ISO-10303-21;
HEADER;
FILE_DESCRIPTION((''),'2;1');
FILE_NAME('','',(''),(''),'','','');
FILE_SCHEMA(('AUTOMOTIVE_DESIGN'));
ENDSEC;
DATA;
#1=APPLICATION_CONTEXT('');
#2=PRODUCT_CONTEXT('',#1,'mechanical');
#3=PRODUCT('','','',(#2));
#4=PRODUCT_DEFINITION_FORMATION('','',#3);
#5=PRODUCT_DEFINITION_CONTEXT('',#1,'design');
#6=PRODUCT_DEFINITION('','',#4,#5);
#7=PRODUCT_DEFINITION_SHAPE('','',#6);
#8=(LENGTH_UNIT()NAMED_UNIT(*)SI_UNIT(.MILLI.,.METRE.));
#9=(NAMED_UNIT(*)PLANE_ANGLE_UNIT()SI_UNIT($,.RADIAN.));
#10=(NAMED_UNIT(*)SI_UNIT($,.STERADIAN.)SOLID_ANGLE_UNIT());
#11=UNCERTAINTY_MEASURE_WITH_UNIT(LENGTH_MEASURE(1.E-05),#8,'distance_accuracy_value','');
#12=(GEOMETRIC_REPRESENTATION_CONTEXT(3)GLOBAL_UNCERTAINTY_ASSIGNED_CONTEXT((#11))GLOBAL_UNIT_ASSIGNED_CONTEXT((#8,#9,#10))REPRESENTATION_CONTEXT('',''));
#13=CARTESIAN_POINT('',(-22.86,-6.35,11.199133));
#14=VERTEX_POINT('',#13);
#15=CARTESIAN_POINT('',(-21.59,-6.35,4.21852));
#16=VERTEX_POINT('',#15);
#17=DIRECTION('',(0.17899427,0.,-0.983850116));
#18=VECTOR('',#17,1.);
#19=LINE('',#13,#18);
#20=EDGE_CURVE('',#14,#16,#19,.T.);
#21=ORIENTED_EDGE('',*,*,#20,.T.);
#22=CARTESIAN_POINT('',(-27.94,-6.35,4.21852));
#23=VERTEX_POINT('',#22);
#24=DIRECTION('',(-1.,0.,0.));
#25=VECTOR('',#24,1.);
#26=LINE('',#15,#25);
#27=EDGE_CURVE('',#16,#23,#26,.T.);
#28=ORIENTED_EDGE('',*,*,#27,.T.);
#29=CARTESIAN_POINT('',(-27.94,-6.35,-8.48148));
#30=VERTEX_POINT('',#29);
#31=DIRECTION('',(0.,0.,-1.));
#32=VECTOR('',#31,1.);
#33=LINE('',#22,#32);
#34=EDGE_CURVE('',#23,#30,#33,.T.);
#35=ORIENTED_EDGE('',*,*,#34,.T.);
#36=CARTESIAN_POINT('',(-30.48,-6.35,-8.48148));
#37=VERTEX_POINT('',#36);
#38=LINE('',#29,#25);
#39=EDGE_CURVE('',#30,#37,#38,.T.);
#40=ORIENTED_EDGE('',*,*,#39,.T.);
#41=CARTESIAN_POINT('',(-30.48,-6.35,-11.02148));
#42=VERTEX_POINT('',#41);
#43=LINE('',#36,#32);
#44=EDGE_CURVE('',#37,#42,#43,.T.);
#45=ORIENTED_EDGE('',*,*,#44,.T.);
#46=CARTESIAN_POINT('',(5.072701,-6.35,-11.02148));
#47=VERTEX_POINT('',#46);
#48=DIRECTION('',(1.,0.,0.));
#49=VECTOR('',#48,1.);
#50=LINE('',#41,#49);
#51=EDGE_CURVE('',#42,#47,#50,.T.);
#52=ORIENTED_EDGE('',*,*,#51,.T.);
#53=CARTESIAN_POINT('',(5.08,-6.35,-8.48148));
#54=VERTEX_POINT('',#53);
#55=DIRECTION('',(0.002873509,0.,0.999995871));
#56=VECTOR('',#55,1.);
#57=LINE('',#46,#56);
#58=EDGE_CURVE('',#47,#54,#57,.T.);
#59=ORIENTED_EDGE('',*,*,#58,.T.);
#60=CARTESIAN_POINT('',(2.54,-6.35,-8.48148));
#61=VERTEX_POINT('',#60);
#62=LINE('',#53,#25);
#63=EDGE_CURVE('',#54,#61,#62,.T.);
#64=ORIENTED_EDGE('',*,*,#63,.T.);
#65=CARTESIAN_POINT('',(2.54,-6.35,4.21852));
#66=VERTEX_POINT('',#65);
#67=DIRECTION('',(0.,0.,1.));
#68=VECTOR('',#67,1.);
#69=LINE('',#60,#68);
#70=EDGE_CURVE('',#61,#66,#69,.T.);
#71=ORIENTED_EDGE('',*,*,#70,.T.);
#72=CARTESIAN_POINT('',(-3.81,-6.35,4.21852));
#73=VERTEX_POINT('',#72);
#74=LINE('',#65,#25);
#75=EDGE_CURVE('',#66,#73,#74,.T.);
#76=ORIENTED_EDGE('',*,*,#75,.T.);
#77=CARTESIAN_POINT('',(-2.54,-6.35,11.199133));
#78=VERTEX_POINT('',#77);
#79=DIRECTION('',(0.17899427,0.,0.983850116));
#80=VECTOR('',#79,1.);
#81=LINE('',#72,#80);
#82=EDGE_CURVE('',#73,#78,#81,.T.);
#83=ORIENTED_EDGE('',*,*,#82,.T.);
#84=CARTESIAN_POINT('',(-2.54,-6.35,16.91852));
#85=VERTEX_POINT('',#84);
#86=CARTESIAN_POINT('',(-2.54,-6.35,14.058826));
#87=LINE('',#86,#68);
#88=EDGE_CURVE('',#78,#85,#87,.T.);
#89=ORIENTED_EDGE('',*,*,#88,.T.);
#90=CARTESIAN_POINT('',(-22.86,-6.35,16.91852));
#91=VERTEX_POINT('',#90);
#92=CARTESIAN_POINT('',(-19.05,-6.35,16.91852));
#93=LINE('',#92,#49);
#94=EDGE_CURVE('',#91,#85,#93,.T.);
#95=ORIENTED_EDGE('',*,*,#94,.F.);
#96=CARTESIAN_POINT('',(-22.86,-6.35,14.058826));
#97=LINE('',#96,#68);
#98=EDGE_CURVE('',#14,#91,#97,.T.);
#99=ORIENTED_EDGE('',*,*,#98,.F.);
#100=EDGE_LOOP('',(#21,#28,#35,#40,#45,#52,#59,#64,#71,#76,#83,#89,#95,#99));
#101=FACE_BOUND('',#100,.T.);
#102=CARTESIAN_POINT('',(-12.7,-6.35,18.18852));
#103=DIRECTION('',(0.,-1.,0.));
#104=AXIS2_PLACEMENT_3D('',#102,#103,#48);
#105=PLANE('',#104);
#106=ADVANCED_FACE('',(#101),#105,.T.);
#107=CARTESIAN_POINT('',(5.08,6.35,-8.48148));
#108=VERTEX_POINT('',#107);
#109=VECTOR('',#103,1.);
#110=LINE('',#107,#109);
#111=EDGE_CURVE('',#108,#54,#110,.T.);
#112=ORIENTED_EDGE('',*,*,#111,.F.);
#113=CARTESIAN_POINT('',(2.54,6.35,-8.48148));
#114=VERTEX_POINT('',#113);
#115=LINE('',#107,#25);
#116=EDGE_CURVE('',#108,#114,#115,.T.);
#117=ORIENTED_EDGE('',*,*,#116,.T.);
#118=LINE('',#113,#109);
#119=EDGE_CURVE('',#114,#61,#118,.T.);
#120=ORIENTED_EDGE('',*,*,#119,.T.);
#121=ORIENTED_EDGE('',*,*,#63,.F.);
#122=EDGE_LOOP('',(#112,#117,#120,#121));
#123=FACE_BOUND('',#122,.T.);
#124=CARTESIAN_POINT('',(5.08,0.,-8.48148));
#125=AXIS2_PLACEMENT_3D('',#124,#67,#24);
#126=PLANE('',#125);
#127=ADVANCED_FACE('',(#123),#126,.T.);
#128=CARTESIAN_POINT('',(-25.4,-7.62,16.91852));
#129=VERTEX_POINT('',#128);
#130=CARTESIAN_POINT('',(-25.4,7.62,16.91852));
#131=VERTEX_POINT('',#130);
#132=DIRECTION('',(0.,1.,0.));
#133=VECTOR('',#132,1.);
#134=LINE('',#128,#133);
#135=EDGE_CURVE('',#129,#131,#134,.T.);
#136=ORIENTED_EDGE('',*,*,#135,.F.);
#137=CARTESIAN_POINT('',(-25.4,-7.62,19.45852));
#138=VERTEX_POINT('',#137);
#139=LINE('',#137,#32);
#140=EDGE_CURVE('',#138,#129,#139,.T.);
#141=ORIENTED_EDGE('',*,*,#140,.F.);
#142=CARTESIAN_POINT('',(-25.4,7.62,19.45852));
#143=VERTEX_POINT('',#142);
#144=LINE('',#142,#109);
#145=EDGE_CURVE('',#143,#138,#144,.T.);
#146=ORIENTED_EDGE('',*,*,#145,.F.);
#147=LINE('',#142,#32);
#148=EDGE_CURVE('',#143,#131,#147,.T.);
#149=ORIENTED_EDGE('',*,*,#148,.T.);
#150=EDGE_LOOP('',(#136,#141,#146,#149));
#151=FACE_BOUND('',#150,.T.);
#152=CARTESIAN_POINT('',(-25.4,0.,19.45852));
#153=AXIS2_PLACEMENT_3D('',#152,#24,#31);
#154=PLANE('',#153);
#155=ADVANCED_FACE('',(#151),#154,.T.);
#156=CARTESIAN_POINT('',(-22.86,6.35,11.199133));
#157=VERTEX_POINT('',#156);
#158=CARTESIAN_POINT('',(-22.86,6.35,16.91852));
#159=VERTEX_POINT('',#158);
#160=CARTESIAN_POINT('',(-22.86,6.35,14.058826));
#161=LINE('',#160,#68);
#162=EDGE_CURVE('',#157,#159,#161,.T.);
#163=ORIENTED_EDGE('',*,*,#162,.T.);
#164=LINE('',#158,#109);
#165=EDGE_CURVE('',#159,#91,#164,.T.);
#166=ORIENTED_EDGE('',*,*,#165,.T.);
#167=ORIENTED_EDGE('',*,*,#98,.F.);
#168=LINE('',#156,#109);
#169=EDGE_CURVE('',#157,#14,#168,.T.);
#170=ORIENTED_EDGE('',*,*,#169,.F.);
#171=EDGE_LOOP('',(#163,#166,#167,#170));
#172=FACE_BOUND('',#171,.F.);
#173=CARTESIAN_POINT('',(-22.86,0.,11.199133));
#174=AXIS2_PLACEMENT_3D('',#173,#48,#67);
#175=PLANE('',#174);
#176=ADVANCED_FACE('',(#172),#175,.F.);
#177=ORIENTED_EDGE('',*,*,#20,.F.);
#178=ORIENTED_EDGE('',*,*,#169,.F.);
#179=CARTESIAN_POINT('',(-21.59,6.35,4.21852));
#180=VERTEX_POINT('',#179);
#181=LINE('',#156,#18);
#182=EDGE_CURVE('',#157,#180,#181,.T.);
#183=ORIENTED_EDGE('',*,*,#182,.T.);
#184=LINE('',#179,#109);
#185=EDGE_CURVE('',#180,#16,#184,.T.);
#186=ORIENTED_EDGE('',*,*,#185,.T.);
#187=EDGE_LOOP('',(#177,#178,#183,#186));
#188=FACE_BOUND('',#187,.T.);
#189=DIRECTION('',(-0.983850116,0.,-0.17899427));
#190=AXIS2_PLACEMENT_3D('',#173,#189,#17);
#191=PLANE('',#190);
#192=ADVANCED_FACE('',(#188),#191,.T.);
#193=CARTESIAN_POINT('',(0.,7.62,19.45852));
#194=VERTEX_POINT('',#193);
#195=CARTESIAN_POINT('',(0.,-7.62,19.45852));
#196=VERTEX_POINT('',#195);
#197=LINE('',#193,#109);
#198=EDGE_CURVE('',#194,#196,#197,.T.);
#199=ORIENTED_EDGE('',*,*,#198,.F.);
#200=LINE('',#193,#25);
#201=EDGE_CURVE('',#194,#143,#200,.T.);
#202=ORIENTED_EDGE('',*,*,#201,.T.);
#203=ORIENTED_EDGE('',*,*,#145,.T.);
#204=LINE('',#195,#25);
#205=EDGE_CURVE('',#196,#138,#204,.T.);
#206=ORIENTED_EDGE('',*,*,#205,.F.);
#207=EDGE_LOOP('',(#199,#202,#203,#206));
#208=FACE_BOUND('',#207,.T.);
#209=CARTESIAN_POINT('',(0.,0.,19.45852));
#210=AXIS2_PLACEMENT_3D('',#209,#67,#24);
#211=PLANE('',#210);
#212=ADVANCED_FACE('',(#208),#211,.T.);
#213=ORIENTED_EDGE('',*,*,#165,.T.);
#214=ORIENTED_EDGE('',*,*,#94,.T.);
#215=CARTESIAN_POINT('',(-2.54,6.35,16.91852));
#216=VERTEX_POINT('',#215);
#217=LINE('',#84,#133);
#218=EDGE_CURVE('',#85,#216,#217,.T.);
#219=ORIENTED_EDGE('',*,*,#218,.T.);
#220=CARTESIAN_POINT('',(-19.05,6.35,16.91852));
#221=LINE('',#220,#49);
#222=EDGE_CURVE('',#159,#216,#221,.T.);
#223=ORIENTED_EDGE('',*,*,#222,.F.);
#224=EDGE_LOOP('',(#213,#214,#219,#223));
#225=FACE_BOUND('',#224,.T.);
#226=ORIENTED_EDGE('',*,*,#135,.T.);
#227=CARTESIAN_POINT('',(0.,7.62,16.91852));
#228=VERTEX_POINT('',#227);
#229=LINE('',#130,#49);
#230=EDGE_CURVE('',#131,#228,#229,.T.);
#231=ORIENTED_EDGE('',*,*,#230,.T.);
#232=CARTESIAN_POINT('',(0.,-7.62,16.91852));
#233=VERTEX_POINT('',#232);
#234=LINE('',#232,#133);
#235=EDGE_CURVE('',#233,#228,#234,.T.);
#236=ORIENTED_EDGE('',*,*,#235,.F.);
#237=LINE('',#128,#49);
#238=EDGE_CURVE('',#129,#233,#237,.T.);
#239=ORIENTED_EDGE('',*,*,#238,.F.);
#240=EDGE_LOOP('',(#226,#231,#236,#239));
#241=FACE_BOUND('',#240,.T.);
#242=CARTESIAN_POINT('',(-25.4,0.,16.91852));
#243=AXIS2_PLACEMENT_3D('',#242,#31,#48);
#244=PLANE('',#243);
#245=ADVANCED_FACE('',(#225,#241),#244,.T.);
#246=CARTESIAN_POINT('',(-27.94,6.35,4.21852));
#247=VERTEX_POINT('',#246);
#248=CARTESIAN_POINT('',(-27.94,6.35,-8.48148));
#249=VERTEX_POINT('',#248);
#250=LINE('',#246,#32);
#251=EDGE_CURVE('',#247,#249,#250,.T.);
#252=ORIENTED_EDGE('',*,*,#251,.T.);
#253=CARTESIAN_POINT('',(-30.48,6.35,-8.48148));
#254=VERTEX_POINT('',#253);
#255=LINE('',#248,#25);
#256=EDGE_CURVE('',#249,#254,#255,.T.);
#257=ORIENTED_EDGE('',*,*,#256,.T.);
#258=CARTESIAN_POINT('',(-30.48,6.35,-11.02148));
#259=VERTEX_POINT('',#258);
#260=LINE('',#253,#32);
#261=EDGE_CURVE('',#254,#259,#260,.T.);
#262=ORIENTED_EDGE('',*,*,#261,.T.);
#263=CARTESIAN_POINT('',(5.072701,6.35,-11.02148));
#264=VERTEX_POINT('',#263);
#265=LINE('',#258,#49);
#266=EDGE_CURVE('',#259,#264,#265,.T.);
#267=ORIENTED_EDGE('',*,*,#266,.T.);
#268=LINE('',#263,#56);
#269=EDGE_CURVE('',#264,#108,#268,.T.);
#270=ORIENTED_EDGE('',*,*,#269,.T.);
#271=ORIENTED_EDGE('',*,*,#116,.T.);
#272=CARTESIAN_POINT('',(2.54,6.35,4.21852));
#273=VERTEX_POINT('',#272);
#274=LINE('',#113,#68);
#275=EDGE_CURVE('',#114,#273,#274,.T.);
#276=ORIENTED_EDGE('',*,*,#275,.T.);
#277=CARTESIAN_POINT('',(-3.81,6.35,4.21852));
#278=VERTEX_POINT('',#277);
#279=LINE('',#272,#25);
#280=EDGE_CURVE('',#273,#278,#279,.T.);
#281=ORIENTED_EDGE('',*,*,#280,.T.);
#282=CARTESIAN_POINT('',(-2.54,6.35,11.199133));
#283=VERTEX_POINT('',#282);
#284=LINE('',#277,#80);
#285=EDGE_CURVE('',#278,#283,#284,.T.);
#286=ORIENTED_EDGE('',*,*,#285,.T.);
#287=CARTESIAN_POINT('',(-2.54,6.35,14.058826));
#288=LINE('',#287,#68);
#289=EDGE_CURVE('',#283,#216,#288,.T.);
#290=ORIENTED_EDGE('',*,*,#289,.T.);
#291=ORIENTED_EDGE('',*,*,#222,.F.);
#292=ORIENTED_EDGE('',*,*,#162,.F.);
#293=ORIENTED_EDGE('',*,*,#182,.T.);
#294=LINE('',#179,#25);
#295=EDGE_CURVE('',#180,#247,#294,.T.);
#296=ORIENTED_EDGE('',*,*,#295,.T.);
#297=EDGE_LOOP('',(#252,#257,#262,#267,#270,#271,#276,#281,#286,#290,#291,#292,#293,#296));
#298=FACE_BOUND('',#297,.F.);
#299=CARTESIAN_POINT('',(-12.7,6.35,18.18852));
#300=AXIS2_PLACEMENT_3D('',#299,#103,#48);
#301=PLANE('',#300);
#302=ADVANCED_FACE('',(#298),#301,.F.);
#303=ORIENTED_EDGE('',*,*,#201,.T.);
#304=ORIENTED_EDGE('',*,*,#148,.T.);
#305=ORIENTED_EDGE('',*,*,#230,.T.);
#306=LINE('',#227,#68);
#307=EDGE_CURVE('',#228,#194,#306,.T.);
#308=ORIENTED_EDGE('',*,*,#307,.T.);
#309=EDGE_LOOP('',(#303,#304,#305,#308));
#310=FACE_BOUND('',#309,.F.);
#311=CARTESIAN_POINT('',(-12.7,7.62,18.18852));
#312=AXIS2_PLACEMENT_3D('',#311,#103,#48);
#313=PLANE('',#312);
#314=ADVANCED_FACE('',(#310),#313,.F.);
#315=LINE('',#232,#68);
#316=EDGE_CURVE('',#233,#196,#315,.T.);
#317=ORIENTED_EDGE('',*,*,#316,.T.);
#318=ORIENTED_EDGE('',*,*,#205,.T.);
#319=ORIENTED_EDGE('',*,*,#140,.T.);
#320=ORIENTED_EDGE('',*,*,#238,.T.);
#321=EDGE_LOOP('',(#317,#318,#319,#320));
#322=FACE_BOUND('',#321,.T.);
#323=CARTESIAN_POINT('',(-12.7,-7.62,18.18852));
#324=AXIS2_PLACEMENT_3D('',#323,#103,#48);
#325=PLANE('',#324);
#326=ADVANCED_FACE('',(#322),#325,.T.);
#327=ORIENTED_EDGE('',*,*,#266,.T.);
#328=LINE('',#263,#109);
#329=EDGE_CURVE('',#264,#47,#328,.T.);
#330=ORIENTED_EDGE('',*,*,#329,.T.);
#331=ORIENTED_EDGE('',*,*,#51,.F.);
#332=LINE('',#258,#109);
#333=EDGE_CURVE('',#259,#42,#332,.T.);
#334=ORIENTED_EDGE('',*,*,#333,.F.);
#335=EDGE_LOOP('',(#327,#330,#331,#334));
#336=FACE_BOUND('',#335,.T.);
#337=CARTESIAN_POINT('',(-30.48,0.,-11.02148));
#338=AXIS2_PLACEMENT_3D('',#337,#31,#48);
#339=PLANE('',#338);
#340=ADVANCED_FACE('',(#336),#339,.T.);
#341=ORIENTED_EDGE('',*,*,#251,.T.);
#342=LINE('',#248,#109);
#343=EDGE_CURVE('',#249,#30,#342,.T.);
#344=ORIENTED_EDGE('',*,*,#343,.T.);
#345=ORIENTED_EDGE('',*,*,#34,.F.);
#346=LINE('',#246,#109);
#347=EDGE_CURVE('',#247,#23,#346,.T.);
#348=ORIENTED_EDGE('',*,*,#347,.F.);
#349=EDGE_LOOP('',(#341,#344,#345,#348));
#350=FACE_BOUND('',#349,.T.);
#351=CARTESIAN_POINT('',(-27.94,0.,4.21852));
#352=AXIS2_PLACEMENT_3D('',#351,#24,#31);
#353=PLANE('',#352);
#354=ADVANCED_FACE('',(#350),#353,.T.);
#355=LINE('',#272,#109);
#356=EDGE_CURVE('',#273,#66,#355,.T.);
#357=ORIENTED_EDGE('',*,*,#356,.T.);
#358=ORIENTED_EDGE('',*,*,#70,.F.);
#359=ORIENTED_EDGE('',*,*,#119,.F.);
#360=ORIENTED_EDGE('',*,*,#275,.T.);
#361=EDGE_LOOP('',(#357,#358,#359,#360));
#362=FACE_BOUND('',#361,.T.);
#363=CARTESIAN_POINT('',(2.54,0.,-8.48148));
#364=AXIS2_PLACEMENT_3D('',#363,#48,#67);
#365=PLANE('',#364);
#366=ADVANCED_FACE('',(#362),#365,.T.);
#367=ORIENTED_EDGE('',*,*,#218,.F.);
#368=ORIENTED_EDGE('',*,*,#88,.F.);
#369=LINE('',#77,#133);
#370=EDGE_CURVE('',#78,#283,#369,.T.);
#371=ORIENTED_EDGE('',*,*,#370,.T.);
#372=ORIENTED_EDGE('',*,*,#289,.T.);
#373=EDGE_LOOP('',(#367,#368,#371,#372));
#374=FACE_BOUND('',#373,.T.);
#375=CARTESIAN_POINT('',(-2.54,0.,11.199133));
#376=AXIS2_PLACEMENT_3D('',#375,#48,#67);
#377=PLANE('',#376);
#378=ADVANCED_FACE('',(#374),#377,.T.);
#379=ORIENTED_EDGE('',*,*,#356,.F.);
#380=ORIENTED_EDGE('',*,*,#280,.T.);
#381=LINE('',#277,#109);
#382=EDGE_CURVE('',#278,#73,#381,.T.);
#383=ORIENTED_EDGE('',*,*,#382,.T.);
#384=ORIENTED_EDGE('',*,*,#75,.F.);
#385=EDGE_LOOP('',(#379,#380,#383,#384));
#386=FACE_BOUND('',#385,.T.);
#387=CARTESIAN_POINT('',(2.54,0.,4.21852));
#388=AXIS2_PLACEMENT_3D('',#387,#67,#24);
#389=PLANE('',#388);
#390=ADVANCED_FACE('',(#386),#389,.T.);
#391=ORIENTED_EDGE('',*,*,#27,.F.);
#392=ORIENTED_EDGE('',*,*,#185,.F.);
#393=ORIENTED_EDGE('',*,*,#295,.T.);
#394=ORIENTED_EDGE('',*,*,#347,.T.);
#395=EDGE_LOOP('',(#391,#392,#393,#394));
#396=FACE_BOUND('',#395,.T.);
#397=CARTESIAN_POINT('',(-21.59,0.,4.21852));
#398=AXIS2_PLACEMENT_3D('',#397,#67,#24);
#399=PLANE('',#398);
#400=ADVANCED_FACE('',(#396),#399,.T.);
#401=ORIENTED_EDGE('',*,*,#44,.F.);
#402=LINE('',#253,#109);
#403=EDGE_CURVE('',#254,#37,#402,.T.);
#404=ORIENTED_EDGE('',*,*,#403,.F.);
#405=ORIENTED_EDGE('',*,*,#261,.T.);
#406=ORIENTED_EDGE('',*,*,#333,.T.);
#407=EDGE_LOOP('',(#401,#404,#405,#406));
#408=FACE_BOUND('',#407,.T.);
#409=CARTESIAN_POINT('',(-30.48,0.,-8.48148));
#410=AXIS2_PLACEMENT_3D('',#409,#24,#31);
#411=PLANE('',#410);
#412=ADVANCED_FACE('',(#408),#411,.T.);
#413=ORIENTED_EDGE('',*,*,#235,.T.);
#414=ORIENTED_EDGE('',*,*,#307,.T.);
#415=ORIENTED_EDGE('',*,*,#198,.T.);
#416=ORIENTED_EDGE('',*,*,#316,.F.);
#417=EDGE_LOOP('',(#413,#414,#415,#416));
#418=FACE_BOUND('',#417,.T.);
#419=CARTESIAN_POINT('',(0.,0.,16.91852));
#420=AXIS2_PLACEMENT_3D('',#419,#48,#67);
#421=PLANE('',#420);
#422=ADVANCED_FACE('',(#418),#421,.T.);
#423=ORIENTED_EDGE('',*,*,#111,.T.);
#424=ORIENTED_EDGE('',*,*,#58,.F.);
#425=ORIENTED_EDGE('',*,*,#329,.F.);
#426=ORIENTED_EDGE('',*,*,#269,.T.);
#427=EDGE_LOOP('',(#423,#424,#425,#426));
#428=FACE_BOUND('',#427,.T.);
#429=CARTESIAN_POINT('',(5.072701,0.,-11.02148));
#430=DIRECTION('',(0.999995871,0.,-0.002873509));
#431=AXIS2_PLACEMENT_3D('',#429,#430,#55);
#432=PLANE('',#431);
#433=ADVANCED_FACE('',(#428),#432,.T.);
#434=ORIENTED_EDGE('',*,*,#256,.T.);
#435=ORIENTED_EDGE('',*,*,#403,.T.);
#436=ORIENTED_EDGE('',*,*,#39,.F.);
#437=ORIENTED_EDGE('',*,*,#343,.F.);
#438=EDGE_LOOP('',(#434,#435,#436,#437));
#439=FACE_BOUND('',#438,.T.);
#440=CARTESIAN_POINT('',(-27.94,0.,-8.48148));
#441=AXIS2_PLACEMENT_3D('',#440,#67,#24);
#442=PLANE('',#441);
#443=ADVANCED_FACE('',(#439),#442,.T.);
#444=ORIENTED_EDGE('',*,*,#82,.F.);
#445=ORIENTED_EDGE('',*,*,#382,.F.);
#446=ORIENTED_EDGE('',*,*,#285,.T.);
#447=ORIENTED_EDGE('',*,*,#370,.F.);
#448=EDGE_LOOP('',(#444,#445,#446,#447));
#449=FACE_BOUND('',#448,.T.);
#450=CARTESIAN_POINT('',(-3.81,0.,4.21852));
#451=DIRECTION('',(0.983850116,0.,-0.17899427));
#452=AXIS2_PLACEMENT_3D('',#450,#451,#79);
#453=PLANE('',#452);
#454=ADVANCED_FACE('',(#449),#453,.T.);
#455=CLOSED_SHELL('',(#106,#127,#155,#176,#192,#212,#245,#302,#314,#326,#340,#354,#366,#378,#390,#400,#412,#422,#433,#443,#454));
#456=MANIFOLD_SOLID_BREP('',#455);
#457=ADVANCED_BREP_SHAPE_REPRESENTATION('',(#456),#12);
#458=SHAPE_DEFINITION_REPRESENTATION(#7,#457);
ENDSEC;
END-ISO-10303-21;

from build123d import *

# Parameters (mm, degrees)
F0_W     = 10.16
F0_H     = 5.7193874504
F1_DEPTH = 6.35
F2_DEPTH = 7.62


with BuildPart() as f1:
    # F0 (on Front) → F1 (new body, symmetric)
    with BuildSketch(Plane.XZ):
        Polygon((0, 16.9185199898), (0, 19.4585199898), (-25.4, 19.4585199898), (-25.4, 16.9185199898), (-22.86, 16.9185199898), (-12.7, 16.9185199898), (-2.54, 16.9185199898), align=None)
        with Locations((-7.62, 14.0588262645)):
            Rectangle(F0_W, F0_H)
        with Locations((-17.78, 14.0588262645)):
            Rectangle(F0_W, F0_H)
        Polygon((-3.81, 4.2185199898), (-2.54, 11.1991325393), (-12.7, 11.1991325393), (-12.7, 4.2185199898), align=None)
        Polygon((-12.7, 11.1991325393), (-22.86, 11.1991325393), (-21.59, 4.2185199898), (-12.7, 4.2185199898), align=None)
        Polygon((2.54, 4.2185199898), (-3.81, 4.2185199898), (-12.7, 4.2185199898), (-12.7, -8.4814800102), (2.54, -8.4814800102), align=None)
        Polygon((-12.7, 4.2185199898), (-21.59, 4.2185199898), (-27.94, 4.2185199898), (-27.94, -8.4814800102), (-12.7, -8.4814800102), align=None)
        Polygon((2.54, -8.4814800102), (-12.7, -8.4814800102), (-27.94, -8.4814800102), (-30.48, -8.4814800102), (-30.48, -11.0214800102), (5.0727012567, -11.0214800102), (5.08, -8.4814800102), align=None)
    extrude(amount=F1_DEPTH, both=True)

    # F0 (on Front) → F2 (join, symmetric)
    with BuildSketch(Plane.XZ):
        Polygon((0, 16.9185199898), (0, 19.4585199898), (-25.4, 19.4585199898), (-25.4, 16.9185199898), (-22.86, 16.9185199898), (-12.7, 16.9185199898), (-2.54, 16.9185199898), align=None)
    extrude(amount=F2_DEPTH, both=True)


solid = f1.part
